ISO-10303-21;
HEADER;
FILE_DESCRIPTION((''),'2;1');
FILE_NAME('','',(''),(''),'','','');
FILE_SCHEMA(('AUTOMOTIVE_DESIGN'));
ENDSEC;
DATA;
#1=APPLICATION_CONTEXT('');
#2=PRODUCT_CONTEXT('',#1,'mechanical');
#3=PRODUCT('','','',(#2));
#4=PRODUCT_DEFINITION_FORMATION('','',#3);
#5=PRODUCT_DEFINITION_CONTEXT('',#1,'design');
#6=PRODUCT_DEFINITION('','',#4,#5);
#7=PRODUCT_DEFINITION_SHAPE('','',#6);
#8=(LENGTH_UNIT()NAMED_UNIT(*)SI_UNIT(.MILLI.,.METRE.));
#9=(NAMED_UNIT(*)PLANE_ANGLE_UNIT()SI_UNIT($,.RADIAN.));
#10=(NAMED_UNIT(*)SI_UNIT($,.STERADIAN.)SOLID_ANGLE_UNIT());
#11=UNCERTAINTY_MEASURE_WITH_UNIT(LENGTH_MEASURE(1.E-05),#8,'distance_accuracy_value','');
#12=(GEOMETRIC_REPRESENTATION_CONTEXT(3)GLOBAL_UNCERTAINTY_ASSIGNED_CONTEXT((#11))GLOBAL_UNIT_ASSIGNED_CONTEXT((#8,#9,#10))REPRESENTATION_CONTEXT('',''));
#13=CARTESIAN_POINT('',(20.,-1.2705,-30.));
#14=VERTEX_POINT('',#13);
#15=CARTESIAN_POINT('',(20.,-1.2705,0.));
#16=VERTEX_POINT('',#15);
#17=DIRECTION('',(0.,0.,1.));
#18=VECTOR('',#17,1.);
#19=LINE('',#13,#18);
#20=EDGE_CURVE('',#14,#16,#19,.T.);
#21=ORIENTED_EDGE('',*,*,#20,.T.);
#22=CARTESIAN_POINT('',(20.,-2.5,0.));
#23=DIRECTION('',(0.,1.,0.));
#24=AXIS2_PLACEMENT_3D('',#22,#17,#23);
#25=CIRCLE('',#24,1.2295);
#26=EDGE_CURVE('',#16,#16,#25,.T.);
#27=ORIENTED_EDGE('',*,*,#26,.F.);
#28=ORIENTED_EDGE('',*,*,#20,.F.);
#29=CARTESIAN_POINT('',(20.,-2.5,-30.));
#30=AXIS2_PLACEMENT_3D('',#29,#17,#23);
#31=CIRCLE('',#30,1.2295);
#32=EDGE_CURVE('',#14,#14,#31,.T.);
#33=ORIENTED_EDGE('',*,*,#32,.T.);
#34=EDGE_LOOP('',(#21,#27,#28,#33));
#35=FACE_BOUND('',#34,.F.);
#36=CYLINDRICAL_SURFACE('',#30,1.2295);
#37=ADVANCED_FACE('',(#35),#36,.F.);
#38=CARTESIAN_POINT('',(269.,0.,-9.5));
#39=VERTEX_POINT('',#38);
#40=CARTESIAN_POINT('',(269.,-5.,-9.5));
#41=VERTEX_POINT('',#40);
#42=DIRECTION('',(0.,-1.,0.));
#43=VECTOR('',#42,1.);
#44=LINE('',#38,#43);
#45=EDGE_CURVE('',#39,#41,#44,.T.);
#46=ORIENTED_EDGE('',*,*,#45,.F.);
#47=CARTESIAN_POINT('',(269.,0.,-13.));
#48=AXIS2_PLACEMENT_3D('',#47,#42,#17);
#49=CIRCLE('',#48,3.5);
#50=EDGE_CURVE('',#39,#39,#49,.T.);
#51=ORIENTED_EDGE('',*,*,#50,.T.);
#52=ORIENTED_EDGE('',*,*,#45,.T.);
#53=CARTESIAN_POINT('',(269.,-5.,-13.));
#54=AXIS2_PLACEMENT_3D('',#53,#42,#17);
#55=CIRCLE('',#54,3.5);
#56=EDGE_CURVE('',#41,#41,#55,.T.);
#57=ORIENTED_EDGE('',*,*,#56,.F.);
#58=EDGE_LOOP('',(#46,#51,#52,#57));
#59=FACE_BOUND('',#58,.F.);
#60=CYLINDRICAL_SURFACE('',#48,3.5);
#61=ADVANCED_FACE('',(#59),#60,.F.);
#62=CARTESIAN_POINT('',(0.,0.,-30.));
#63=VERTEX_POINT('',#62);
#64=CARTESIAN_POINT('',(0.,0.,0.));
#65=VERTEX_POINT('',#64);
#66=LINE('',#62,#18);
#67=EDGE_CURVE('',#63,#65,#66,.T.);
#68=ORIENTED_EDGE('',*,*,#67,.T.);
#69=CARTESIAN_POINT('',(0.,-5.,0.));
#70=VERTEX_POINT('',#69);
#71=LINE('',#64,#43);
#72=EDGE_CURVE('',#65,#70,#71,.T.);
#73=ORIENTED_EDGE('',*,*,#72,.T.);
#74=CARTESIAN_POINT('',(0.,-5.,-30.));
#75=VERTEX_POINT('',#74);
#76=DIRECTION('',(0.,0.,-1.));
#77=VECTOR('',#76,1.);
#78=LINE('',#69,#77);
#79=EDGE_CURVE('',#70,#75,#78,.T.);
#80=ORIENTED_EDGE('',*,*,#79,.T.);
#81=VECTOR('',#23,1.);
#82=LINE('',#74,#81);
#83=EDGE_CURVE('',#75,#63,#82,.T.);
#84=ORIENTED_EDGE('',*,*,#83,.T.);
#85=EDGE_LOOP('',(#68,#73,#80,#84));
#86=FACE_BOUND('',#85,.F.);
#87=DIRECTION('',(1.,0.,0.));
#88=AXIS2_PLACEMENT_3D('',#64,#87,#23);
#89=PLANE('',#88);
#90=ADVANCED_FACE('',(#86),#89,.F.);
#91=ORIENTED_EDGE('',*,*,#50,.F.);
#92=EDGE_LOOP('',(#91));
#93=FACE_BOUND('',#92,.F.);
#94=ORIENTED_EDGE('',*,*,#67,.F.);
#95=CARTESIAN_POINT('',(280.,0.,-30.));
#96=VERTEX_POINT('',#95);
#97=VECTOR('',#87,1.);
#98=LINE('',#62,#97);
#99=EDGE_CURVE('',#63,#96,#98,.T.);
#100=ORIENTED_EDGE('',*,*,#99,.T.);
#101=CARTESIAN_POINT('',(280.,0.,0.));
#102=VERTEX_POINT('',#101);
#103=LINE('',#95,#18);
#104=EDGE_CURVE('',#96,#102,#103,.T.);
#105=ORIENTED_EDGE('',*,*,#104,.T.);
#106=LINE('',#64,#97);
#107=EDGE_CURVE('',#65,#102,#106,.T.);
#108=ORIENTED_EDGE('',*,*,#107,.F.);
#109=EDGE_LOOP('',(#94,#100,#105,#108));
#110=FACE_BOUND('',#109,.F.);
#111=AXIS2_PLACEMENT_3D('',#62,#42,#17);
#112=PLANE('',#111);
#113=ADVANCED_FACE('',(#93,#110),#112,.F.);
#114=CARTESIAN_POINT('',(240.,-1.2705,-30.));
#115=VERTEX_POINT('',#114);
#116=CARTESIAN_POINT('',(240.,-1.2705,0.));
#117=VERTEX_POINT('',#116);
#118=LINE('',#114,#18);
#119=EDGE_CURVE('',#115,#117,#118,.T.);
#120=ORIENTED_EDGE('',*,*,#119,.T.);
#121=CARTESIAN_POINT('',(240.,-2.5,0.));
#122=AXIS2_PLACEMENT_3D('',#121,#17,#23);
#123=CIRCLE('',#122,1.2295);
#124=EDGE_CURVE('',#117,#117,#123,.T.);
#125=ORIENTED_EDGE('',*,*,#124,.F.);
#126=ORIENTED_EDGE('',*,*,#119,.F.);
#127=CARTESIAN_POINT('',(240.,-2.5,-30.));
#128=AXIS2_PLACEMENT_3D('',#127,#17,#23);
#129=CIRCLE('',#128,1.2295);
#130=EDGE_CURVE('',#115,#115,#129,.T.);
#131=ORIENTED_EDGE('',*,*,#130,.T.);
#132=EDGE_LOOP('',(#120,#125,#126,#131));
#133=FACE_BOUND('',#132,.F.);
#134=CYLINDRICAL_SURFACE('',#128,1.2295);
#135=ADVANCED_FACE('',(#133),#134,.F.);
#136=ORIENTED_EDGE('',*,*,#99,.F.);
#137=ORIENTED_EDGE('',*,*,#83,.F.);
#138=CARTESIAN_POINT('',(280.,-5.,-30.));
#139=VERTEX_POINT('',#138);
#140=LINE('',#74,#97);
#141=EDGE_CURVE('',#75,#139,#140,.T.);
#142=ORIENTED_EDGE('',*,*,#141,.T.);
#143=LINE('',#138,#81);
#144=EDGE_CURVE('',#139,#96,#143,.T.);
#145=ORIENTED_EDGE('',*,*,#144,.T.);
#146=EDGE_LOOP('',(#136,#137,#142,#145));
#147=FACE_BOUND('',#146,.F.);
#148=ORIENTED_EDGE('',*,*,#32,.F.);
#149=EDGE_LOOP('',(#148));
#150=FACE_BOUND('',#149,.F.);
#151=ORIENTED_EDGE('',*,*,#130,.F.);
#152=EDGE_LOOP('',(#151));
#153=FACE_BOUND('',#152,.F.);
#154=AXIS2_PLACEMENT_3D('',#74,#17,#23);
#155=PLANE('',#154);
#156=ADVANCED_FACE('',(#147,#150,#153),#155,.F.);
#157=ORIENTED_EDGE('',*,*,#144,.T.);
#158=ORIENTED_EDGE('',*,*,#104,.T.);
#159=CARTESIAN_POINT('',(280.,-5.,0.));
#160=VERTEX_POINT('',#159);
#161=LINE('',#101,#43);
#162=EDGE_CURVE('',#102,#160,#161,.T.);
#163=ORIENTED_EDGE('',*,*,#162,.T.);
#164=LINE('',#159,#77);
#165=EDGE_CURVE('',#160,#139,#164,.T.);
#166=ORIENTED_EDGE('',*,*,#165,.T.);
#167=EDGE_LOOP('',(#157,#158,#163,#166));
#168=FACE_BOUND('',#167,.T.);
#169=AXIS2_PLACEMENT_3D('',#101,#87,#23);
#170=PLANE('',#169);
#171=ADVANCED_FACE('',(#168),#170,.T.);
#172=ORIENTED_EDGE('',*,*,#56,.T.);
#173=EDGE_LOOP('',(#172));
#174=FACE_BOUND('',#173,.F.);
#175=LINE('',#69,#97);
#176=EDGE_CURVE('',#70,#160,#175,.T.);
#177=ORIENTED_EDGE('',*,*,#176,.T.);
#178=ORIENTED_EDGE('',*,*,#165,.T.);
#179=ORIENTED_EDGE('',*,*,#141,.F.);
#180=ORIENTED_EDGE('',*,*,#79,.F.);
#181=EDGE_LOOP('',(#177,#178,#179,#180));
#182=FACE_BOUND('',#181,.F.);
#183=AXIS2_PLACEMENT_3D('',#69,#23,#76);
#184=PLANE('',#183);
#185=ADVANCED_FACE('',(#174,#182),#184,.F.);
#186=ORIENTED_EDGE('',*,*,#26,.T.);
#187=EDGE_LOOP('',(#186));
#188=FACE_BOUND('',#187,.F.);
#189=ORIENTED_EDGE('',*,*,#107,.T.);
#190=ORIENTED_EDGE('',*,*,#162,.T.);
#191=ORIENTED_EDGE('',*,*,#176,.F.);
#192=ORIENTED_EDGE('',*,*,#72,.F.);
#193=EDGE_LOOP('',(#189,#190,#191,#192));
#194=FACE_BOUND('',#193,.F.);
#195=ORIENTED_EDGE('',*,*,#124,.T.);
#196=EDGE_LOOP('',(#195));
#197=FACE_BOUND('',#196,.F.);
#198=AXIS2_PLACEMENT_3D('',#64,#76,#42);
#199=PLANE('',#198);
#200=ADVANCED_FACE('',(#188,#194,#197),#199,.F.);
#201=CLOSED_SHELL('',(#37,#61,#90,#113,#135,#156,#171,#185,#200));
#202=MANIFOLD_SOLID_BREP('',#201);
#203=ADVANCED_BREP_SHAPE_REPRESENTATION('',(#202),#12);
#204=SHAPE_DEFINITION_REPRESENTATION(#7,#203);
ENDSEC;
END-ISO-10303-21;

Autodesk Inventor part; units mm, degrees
ref_plane "YZ Plane" through (0, 0, 0) normal (1, 0, 0) x (0, 1, 0)
ref_plane "XZ Plane" through (0, 0, 0) normal (0, 1, 0) x (-1, 0, 0)
ref_plane "XY Plane" through (0, 0, 0) normal (0, 0, 1) x (1, 0, 0)
sketch "スケッチ1" plane through (0, 0, 0) normal (1, 0, 0) x (0, 1, 0)
  line L0 (0, 0) -> (-5, 0)
  line L1 (-5, 0) -> (-5, -30)
  line L2 (-5, -30) -> (0, -30)
  line L3 (0, -30) -> (0, 0)
  dimension "d0" = 30
  dimension "d1" = 5
extrude "押し出し1" add sketch "スケッチ1" along normal blind 280
sketch "スケッチ4" plane through (280, 0, -30) normal (0, 0, -1) x (-1, 0, 0)
  line L0 (280, 0) -> (0, 0) projected
  line L1 (280, -5) -> (280, 0) projected
  point P0 (260, -2.5)
  point P1 (40, -2.5)
  dimension "d27" = 2.5
  dimension "d28" = 20
  dimension "d36" = 220
hole "穴3" at (20, -2.5, -30) at (240, -2.5, -30) direction (0, 0, 1) diameter 2.459 end through all thread size "M3x0.5" class "6H" standard "ANSI Metric M Profile"
sketch "スケッチ6" plane through (0, 0, 0) normal (0, 1, 0) x (1, 0, 0)
  line L0 (280, 30) -> (280, 0) projected
  line L1 (0, 0) -> (280, 0) projected
  point P0 (269, 13)
  dimension "d49" = 11
  dimension "d50" = 13
hole "穴5" at (269, 0, -13) direction (0, -1, 0) diameter 7 end through all
properties part number "横長2ndフラットバー" material "アルミニウム 6061"
